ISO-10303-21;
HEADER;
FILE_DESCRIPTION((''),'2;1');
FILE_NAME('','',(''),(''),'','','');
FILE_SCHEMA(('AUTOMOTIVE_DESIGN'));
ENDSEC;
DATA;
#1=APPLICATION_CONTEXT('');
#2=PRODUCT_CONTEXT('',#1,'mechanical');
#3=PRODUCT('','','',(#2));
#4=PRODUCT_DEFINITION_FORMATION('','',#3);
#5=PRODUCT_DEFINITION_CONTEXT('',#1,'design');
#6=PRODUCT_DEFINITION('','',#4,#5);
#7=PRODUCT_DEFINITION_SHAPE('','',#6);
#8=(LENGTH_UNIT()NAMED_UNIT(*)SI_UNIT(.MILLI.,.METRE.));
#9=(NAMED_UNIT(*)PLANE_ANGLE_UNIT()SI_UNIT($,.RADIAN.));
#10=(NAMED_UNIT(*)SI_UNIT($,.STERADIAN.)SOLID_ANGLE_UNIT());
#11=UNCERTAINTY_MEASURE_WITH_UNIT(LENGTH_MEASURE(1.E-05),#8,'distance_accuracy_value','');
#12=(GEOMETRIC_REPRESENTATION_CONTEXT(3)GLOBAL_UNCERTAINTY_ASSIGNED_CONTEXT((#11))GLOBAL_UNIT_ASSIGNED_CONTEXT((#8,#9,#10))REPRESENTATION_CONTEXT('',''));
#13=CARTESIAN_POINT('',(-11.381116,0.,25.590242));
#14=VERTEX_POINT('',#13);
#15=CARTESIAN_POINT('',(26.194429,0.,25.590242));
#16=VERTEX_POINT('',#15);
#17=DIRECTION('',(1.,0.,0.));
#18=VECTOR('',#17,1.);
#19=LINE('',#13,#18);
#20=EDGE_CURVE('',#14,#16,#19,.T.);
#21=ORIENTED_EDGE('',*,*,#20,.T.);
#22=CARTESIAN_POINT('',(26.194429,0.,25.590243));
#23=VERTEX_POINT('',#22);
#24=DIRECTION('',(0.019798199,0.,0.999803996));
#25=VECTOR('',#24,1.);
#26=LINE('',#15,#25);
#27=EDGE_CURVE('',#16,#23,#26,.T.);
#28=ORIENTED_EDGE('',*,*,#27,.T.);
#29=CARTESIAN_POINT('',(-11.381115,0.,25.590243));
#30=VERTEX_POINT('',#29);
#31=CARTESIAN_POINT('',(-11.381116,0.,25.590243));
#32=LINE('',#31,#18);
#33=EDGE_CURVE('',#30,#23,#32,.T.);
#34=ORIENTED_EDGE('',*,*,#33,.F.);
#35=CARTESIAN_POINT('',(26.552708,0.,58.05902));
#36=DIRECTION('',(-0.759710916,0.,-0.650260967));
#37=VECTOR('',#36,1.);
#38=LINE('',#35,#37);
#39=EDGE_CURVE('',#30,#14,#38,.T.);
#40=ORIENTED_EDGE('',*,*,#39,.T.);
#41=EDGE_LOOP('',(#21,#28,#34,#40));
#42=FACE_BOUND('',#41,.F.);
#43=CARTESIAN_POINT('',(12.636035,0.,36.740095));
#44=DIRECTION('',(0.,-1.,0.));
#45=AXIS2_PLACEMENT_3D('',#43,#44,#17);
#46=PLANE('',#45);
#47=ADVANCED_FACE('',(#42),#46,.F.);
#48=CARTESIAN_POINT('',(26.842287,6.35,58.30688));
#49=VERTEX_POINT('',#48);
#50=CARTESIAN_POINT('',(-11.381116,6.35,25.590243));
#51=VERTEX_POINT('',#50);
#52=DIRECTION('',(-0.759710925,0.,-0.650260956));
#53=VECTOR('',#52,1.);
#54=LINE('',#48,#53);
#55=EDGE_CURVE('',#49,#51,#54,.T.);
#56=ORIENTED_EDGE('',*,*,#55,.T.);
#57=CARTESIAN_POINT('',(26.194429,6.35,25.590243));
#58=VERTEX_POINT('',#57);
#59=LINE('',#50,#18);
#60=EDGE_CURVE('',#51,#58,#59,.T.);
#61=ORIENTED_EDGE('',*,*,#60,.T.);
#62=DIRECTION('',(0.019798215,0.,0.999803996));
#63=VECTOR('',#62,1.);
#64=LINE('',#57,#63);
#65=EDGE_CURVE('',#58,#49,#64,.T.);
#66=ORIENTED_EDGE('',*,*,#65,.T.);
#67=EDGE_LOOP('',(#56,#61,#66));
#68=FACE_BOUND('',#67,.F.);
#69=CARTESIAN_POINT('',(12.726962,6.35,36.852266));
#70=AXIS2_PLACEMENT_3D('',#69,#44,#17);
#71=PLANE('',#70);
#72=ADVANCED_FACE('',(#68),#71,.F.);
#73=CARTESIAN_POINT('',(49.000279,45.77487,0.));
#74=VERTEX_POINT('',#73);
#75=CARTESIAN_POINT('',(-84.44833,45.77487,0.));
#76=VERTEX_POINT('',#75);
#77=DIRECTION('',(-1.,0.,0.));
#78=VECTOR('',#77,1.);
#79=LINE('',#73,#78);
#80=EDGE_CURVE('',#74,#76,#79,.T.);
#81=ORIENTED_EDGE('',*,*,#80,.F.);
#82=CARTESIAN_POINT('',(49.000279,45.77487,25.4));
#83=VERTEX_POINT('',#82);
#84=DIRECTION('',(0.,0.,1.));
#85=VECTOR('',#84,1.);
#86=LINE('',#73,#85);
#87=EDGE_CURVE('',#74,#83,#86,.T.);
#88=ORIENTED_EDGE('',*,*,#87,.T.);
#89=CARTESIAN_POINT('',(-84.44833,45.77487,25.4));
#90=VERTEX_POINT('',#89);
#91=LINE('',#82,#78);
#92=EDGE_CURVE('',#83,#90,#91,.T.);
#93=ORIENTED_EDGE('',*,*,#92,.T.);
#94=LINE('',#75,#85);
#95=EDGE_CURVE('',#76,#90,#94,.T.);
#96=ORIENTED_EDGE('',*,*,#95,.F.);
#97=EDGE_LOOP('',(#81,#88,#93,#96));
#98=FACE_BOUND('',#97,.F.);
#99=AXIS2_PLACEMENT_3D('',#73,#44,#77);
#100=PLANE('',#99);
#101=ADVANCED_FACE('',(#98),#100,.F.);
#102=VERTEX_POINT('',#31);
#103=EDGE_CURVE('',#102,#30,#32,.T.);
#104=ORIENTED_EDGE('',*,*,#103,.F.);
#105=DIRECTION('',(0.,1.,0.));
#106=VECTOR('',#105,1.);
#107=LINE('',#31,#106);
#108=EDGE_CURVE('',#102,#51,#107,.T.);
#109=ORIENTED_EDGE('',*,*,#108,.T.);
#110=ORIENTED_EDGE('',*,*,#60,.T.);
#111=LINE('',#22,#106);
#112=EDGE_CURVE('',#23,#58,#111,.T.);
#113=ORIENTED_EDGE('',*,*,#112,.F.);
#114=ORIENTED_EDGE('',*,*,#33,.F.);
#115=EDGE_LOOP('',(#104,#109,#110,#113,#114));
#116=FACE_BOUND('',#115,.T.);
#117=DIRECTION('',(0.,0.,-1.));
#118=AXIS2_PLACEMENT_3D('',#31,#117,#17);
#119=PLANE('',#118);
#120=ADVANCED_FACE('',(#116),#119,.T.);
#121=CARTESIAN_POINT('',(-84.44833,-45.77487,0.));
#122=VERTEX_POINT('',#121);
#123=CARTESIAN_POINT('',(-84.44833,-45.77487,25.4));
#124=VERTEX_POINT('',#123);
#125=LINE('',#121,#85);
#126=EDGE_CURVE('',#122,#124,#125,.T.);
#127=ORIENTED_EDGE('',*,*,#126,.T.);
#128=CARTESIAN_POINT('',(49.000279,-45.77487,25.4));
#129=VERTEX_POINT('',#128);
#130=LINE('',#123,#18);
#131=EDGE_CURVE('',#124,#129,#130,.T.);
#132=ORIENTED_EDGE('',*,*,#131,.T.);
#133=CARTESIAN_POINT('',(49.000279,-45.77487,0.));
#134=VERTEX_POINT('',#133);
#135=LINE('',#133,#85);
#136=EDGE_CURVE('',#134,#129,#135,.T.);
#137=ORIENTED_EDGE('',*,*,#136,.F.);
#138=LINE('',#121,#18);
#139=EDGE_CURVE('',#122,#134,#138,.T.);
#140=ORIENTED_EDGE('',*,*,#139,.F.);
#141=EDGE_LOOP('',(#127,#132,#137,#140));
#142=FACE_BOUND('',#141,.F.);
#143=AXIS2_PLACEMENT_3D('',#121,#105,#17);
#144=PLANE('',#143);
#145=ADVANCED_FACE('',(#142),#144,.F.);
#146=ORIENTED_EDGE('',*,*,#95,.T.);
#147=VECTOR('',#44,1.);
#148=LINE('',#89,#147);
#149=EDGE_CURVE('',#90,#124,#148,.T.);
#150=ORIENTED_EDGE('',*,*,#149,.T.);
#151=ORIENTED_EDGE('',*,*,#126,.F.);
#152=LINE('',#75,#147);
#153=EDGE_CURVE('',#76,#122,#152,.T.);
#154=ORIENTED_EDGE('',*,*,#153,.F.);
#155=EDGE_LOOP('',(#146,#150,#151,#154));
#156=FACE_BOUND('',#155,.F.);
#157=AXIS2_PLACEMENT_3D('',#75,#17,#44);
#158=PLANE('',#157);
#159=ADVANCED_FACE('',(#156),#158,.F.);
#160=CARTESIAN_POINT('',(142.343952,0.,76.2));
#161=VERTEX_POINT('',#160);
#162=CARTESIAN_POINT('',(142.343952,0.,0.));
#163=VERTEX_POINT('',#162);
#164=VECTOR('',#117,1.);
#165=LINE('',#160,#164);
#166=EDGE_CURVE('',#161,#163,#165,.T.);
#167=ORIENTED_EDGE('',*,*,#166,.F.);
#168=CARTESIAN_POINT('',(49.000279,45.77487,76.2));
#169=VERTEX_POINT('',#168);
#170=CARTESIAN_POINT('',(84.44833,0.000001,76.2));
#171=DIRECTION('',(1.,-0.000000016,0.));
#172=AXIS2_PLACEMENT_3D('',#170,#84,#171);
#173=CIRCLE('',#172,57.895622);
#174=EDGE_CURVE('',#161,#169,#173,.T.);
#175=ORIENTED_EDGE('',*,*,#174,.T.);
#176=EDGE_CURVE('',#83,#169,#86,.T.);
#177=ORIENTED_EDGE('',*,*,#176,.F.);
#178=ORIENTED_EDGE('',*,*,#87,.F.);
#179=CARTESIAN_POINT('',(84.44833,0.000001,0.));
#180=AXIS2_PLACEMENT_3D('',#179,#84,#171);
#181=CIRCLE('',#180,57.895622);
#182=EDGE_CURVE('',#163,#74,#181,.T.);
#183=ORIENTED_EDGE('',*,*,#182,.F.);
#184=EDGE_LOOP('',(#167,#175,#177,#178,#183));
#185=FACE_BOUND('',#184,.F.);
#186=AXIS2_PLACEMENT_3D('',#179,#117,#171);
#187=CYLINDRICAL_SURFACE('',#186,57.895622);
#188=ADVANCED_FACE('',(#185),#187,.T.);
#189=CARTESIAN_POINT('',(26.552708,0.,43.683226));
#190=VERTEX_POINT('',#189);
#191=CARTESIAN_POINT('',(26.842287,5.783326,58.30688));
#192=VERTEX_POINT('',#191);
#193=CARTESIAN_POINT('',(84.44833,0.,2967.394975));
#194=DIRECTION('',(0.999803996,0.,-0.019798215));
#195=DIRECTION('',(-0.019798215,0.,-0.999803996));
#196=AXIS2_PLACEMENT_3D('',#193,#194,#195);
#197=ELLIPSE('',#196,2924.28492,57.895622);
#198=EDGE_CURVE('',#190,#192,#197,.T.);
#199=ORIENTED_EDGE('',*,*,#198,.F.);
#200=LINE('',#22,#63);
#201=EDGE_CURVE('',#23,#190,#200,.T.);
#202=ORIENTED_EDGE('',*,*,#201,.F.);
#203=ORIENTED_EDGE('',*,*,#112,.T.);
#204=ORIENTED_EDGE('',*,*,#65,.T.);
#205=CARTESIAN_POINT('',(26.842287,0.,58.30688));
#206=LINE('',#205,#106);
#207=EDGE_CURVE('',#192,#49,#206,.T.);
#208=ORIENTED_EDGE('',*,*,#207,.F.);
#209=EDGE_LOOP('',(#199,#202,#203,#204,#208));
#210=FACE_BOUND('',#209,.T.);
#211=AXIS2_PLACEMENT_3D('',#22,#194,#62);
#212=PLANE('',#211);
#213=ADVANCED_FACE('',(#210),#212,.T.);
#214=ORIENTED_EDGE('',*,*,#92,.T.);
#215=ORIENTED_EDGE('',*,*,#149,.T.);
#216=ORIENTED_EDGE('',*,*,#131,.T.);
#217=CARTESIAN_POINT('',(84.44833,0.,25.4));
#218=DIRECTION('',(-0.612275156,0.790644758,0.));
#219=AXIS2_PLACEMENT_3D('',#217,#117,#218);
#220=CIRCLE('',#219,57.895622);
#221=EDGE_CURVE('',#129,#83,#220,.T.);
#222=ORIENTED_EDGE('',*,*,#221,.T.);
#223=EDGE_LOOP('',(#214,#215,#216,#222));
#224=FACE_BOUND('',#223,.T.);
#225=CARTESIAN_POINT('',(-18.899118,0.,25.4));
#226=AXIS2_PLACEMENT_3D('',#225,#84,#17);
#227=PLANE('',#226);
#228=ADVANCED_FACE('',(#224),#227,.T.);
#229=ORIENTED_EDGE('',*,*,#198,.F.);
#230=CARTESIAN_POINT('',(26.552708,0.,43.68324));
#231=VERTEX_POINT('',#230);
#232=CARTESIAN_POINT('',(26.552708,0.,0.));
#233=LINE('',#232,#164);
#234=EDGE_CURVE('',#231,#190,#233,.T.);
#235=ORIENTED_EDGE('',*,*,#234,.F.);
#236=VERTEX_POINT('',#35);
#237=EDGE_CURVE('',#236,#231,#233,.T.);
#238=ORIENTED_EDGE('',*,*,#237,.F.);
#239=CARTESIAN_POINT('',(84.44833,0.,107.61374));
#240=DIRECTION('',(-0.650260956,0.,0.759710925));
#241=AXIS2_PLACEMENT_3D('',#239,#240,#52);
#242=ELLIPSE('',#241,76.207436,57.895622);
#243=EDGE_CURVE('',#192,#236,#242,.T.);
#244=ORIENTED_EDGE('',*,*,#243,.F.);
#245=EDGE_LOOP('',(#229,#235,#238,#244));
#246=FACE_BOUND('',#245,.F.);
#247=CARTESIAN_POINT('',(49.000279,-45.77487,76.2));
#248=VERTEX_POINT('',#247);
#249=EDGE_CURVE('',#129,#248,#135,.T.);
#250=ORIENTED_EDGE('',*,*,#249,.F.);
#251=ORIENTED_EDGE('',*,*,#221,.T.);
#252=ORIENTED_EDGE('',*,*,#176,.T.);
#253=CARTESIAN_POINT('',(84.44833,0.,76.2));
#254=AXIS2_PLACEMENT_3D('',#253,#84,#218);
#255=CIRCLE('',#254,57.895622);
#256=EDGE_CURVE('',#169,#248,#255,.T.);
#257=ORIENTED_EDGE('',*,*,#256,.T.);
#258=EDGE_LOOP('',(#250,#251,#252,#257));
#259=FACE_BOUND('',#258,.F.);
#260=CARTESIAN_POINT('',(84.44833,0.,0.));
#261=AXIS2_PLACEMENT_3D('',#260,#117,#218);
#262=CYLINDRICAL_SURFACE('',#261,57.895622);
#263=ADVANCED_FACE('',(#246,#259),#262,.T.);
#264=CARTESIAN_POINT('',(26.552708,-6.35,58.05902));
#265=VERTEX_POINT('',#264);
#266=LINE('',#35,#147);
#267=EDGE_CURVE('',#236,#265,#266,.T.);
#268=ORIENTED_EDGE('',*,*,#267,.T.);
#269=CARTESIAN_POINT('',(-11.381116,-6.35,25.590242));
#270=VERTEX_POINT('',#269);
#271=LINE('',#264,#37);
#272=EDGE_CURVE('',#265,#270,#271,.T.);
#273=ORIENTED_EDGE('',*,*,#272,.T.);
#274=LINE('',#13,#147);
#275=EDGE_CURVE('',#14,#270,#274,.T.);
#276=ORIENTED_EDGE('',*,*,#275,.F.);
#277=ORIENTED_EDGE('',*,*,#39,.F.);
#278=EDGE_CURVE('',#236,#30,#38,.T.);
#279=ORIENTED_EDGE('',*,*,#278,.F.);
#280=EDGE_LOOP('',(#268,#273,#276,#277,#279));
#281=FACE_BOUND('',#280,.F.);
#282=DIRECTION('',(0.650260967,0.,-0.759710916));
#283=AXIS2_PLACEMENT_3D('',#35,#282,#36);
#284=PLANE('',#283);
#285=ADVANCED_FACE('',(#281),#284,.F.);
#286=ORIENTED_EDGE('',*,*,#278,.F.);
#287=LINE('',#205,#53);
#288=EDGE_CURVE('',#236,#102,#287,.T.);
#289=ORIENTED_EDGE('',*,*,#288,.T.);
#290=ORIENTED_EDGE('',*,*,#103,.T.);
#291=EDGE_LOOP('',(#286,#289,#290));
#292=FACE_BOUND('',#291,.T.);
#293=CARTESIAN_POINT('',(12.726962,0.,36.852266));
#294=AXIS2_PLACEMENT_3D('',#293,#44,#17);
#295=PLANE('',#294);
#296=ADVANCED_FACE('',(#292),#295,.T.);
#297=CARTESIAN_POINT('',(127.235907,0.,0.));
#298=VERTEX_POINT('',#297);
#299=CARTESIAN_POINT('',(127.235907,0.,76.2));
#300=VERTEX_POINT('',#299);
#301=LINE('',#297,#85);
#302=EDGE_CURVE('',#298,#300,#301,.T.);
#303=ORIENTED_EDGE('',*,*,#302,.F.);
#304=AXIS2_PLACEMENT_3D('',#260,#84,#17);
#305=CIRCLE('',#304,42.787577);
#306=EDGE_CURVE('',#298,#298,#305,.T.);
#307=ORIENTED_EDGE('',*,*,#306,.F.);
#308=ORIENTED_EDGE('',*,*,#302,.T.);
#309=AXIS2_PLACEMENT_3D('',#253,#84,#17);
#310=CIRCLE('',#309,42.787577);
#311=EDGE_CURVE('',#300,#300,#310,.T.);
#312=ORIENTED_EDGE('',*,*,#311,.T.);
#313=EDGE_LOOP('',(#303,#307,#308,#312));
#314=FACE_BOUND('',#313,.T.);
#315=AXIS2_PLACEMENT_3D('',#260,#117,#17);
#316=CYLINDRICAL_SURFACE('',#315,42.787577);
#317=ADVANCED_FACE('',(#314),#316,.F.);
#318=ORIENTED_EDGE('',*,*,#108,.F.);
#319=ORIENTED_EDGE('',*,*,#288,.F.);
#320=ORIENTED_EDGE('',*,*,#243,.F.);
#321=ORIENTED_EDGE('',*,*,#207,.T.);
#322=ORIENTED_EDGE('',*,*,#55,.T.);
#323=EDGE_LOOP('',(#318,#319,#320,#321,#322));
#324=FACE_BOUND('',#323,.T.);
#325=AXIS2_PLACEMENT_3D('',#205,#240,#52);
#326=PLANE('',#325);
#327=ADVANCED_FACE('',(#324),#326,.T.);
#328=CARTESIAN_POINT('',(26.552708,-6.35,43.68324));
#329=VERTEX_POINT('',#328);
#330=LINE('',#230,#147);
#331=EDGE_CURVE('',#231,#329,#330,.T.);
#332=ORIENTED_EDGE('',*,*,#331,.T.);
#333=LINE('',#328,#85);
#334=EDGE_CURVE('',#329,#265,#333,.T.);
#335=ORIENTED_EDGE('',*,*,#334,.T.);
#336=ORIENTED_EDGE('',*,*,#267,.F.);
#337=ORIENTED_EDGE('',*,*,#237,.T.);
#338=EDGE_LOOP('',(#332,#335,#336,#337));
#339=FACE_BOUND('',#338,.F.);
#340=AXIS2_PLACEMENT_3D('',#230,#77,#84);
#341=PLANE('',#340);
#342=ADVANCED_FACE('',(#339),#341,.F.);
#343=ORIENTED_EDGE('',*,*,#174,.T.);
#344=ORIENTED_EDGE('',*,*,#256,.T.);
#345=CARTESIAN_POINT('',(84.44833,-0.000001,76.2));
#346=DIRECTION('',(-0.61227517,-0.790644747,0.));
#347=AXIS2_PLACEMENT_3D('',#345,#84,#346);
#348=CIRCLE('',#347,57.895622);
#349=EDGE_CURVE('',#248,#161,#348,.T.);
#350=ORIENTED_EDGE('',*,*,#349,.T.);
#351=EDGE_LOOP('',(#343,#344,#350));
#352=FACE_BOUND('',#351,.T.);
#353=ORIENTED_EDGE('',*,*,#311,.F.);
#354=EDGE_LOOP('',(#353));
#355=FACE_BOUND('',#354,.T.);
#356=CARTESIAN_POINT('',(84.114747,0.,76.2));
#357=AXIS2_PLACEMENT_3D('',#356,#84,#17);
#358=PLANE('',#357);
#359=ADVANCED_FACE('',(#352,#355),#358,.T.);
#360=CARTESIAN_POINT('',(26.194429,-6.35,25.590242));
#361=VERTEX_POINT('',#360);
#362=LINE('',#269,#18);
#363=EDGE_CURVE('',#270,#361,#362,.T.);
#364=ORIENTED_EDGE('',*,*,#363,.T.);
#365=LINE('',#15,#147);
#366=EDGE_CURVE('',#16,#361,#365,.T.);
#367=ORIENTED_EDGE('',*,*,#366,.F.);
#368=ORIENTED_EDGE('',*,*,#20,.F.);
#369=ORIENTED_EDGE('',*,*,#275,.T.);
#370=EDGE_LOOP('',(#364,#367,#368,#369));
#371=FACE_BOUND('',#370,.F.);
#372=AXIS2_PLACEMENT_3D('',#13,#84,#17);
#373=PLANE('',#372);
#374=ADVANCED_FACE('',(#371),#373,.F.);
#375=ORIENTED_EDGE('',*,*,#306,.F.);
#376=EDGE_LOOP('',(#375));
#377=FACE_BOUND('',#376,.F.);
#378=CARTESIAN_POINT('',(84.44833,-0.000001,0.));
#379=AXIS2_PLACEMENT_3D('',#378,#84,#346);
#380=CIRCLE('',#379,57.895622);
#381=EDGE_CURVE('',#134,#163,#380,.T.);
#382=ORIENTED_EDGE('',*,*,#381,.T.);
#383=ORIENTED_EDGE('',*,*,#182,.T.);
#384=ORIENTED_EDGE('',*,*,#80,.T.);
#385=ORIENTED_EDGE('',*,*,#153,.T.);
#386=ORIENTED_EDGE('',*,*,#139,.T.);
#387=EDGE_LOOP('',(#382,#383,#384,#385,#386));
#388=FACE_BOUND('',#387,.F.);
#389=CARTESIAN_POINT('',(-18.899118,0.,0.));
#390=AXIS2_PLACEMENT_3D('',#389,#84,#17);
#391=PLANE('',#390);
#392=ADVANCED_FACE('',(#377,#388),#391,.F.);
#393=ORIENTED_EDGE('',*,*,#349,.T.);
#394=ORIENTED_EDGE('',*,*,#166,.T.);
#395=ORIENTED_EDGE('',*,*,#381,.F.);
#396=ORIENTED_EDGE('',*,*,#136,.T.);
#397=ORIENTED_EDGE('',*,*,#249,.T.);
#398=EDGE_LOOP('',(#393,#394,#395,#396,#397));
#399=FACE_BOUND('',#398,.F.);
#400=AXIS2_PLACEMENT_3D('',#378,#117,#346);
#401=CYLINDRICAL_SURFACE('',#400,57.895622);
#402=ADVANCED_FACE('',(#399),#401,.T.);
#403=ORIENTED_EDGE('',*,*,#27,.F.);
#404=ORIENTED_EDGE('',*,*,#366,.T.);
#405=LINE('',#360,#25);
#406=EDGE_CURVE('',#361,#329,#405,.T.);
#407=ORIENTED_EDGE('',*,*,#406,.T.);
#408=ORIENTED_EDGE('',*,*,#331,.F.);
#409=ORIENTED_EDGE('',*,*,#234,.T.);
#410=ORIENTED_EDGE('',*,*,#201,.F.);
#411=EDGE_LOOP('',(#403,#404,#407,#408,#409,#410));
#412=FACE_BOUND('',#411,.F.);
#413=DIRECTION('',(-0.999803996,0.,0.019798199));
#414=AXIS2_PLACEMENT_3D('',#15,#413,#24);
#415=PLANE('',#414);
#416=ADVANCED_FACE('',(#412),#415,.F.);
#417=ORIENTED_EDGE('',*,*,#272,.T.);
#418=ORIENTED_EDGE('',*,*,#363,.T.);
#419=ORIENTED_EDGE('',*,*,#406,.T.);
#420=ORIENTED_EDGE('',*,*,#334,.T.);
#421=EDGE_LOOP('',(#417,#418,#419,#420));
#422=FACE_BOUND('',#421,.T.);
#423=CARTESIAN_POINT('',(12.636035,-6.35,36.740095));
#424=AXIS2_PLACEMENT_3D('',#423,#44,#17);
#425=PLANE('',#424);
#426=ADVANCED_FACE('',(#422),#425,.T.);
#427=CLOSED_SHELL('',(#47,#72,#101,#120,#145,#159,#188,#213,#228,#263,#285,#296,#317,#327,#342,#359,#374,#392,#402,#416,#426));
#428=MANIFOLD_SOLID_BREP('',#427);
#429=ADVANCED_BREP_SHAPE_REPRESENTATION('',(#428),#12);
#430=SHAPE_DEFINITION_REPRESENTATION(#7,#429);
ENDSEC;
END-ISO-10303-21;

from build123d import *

# Parameters (mm, degrees)
F0_R     = 42.787577
F1_DEPTH = 76.2
F2_DEPTH = 25.4
F4_DEPTH = 6.35
F5_DEPTH = 6.35


with BuildPart() as f1:
    # F0 (on Top) → F1 (new body)
    with BuildSketch(Plane.XY):
        with BuildLine():
            ThreePointArc((142.343952, 0), (109.939663, 51.98168), (49.000279, 45.77487))
            ThreePointArc((49.000279, 45.77487), (26.552708, 0), (49.000279, -45.77487))
            ThreePointArc((49.000279, -45.77487), (109.939663, -51.98168), (142.343952, 0))
        make_face()
        with Locations((84.44833, 0)):
            Circle(F0_R, mode=Mode.SUBTRACT)
    extrude(amount=F1_DEPTH)

    # F0 (on Top) → F2 (join)
    with BuildSketch(Plane.XY):
        with BuildLine():
            ThreePointArc((49.000279, -45.77487), (26.552708, 0), (49.000279, 45.77487))
            Line((49.000279, 45.77487), (-84.44833, 45.77487))
            Line((-84.44833, 45.77487), (-84.44833, -45.77487))
            Line((-84.44833, -45.77487), (49.000279, -45.77487))
        make_face()
        with BuildLine():
            ThreePointArc((142.343952, 0), (109.939663, 51.98168), (49.000279, 45.77487))
            ThreePointArc((49.000279, 45.77487), (26.552708, 0), (49.000279, -45.77487))
            ThreePointArc((49.000279, -45.77487), (109.939663, -51.98168), (142.343952, 0))
        make_face()
        with Locations((84.44833, 0)):
            Circle(F0_R, mode=Mode.SUBTRACT)
    extrude(amount=F2_DEPTH)

    # F3 (on Front) → F4 (join)
    with BuildSketch(Plane.XZ):
        Polygon((26.194429, 25.590243), (26.842287, 58.30688), (-11.381116, 25.590243), align=None)
    extrude(amount=-F4_DEPTH)

    # F4_face (on face) → F5 (join)
    with BuildSketch(Plane(origin=(13.84183, 0, 36.438522), x_dir=(1, 0, 0), z_dir=(0, -1, 0))):
        Polygon((-25.222946, -10.84828), (12.352599, -10.84828), (12.710878, 7.244718), (12.710878, 21.620498), align=None)
    extrude(amount=F5_DEPTH)


solid = f1.part
